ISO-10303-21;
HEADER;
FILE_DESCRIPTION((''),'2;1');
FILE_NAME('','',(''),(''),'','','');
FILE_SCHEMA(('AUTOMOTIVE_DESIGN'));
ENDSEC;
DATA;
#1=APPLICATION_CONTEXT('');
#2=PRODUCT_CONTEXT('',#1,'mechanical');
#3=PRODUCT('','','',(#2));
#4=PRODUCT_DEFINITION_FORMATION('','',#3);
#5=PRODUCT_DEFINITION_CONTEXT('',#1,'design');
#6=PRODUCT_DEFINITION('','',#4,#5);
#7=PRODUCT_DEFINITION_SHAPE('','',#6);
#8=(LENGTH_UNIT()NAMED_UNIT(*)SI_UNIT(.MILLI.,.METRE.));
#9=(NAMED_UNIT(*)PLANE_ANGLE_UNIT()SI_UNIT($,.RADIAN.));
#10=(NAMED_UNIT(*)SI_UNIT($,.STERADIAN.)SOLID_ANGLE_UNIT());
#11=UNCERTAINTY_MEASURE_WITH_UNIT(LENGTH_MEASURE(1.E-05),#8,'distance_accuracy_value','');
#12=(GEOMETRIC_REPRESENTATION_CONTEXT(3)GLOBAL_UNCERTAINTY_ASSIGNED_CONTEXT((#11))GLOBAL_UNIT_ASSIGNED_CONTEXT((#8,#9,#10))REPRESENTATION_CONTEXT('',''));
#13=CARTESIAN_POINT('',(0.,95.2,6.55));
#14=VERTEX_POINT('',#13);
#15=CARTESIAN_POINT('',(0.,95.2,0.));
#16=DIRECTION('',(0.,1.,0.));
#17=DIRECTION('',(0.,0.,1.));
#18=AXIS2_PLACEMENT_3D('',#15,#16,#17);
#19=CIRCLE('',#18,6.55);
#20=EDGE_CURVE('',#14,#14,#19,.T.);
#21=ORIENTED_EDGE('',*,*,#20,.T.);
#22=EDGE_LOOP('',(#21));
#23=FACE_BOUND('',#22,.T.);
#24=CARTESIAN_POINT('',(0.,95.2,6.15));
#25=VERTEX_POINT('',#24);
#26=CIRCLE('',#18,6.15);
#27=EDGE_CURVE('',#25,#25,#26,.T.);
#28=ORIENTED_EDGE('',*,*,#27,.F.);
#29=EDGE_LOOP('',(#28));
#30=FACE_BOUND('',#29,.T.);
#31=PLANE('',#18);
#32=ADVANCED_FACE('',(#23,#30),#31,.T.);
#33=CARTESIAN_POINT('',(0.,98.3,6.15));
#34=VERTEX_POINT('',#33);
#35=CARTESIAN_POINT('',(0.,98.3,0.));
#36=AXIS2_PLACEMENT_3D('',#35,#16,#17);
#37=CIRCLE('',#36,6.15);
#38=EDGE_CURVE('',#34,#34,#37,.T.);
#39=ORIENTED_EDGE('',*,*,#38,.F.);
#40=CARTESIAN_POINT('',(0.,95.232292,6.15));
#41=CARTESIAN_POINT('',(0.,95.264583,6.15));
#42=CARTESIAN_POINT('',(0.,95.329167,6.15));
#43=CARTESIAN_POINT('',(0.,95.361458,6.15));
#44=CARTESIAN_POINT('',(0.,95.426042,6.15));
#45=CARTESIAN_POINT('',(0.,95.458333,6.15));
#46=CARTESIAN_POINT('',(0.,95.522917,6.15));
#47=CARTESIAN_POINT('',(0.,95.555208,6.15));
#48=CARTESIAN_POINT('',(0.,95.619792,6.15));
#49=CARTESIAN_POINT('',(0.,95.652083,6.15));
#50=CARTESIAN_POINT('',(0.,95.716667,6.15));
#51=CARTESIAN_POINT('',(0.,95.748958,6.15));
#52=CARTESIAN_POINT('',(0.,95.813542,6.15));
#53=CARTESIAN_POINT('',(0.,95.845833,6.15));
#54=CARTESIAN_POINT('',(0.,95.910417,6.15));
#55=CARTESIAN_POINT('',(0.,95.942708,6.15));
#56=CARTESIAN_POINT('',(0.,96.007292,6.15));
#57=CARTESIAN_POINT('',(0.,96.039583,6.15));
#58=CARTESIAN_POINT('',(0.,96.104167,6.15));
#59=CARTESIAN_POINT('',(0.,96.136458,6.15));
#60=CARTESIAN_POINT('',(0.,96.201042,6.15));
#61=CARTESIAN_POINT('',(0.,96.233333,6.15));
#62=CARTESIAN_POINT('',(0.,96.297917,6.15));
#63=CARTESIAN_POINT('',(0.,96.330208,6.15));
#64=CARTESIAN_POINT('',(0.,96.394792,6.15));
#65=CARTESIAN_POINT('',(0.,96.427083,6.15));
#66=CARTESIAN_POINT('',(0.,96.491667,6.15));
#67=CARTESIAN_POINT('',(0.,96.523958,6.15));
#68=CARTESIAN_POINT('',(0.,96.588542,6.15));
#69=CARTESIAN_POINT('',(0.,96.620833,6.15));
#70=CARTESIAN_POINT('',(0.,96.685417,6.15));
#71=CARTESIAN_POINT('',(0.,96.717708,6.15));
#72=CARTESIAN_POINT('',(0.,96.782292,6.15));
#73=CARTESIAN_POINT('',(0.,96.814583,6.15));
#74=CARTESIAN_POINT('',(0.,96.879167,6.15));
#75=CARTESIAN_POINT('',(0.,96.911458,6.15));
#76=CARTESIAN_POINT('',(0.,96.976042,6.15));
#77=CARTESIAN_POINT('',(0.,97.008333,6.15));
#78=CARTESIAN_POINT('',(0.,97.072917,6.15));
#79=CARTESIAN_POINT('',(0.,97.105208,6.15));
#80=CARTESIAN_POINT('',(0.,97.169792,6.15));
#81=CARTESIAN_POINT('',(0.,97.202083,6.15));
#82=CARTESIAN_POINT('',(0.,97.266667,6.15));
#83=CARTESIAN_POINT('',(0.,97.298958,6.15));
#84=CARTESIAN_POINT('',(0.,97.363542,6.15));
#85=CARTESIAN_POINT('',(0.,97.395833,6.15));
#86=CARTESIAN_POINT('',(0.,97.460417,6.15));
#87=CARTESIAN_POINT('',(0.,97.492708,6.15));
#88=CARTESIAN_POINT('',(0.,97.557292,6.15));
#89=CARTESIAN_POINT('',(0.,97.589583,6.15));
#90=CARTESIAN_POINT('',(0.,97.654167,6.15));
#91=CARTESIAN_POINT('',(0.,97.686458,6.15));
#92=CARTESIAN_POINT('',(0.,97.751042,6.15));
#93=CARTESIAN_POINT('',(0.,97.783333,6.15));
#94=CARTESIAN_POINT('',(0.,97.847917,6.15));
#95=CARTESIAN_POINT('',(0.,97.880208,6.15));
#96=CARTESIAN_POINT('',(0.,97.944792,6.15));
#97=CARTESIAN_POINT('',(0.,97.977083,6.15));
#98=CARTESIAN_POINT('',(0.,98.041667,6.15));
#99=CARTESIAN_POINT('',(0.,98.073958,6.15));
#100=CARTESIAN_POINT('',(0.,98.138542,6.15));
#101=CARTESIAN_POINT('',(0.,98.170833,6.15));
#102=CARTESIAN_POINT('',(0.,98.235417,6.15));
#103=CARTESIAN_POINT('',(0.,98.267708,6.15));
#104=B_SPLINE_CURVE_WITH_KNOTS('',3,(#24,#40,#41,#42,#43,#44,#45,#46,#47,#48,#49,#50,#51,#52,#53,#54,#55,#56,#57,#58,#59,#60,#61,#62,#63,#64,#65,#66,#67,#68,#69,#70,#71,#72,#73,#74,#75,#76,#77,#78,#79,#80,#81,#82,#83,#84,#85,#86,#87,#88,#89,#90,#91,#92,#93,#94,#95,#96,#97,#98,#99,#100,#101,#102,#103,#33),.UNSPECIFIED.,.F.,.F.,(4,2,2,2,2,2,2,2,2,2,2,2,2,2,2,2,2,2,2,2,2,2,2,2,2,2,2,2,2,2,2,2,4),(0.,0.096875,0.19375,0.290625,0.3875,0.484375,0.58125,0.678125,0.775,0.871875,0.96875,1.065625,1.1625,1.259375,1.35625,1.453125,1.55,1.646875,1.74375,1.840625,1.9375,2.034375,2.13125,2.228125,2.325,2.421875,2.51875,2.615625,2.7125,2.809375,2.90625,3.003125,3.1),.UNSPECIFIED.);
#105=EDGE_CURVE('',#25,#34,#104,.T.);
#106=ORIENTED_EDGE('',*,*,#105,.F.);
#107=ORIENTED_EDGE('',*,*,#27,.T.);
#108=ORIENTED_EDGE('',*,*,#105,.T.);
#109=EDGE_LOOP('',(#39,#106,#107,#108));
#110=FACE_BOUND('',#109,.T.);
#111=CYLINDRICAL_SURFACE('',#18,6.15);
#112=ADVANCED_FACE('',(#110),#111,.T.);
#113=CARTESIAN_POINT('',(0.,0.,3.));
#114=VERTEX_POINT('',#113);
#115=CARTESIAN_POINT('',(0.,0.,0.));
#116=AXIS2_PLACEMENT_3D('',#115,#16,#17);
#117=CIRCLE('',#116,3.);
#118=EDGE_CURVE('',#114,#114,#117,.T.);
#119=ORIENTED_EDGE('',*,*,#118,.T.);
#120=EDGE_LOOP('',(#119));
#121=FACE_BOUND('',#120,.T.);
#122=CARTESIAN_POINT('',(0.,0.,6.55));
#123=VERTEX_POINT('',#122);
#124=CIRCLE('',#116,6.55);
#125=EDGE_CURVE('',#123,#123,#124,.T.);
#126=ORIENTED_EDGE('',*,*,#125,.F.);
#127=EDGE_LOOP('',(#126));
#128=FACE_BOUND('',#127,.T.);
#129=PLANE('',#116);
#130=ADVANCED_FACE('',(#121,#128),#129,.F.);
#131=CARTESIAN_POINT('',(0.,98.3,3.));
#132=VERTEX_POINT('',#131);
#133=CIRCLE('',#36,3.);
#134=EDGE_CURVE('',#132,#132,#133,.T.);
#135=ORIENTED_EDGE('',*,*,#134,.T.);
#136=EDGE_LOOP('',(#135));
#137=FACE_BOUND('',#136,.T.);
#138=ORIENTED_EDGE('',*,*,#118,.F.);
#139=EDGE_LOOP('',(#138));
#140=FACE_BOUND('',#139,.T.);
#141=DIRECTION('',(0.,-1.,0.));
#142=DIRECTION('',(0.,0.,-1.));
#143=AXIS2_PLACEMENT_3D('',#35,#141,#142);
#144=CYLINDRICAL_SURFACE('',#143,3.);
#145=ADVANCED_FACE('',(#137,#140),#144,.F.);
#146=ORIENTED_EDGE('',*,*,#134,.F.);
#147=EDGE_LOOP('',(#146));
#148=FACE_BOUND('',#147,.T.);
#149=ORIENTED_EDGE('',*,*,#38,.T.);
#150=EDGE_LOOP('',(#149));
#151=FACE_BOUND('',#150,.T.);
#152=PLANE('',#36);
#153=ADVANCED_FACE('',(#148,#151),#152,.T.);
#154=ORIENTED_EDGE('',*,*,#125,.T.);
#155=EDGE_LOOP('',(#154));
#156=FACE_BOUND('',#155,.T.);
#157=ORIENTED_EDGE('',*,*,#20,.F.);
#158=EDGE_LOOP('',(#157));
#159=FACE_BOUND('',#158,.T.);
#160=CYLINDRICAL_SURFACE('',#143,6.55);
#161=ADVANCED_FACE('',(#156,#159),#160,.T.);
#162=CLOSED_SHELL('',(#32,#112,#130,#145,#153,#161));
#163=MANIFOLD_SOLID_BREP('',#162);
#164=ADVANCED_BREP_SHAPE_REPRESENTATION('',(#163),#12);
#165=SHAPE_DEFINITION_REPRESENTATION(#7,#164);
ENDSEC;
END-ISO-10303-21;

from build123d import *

# Parameters (mm, degrees)
SKETCH1_R           = 6.55
SKETCH1_R_2         = 3
BOSS_EXTRUDE1_DEPTH = 98.3
CUT_EXTRUDE1_START  = -3.1
SKETCH2_R           = 6.55
SKETCH2_R_2         = 6.15
CUT_EXTRUDE1_DEPTH  = 3.1


with BuildPart() as part:
    # Sketch1 → Boss-Extrude1 (new body)
    with BuildSketch(Plane(origin=(0, 0, 0), x_dir=(1, 0, 0), z_dir=(0, 1, 0))):
        with Locations(Location((0, 0, 0), (0, 0, 270))):
            Circle(SKETCH1_R)
        with Locations(Location((0, 0, 0), (0, 0, 270))):
            Circle(SKETCH1_R_2, mode=Mode.SUBTRACT)
    extrude(amount=BOSS_EXTRUDE1_DEPTH)

    # Sketch2 → Cut-Extrude1 (cut)
    with BuildSketch(Plane(origin=(0, 98.3, 0), x_dir=(1, 0, 0), z_dir=(0, 1, 0)).offset(CUT_EXTRUDE1_START)):
        with Locations(Location((0, 0, 0), (0, 0, 270))):
            Circle(SKETCH2_R)
        with Locations(Location((0, 0, 0), (0, 0, 270))):
            Circle(SKETCH2_R_2, mode=Mode.SUBTRACT)
    extrude(amount=CUT_EXTRUDE1_DEPTH, mode=Mode.SUBTRACT)


solid = part.part
